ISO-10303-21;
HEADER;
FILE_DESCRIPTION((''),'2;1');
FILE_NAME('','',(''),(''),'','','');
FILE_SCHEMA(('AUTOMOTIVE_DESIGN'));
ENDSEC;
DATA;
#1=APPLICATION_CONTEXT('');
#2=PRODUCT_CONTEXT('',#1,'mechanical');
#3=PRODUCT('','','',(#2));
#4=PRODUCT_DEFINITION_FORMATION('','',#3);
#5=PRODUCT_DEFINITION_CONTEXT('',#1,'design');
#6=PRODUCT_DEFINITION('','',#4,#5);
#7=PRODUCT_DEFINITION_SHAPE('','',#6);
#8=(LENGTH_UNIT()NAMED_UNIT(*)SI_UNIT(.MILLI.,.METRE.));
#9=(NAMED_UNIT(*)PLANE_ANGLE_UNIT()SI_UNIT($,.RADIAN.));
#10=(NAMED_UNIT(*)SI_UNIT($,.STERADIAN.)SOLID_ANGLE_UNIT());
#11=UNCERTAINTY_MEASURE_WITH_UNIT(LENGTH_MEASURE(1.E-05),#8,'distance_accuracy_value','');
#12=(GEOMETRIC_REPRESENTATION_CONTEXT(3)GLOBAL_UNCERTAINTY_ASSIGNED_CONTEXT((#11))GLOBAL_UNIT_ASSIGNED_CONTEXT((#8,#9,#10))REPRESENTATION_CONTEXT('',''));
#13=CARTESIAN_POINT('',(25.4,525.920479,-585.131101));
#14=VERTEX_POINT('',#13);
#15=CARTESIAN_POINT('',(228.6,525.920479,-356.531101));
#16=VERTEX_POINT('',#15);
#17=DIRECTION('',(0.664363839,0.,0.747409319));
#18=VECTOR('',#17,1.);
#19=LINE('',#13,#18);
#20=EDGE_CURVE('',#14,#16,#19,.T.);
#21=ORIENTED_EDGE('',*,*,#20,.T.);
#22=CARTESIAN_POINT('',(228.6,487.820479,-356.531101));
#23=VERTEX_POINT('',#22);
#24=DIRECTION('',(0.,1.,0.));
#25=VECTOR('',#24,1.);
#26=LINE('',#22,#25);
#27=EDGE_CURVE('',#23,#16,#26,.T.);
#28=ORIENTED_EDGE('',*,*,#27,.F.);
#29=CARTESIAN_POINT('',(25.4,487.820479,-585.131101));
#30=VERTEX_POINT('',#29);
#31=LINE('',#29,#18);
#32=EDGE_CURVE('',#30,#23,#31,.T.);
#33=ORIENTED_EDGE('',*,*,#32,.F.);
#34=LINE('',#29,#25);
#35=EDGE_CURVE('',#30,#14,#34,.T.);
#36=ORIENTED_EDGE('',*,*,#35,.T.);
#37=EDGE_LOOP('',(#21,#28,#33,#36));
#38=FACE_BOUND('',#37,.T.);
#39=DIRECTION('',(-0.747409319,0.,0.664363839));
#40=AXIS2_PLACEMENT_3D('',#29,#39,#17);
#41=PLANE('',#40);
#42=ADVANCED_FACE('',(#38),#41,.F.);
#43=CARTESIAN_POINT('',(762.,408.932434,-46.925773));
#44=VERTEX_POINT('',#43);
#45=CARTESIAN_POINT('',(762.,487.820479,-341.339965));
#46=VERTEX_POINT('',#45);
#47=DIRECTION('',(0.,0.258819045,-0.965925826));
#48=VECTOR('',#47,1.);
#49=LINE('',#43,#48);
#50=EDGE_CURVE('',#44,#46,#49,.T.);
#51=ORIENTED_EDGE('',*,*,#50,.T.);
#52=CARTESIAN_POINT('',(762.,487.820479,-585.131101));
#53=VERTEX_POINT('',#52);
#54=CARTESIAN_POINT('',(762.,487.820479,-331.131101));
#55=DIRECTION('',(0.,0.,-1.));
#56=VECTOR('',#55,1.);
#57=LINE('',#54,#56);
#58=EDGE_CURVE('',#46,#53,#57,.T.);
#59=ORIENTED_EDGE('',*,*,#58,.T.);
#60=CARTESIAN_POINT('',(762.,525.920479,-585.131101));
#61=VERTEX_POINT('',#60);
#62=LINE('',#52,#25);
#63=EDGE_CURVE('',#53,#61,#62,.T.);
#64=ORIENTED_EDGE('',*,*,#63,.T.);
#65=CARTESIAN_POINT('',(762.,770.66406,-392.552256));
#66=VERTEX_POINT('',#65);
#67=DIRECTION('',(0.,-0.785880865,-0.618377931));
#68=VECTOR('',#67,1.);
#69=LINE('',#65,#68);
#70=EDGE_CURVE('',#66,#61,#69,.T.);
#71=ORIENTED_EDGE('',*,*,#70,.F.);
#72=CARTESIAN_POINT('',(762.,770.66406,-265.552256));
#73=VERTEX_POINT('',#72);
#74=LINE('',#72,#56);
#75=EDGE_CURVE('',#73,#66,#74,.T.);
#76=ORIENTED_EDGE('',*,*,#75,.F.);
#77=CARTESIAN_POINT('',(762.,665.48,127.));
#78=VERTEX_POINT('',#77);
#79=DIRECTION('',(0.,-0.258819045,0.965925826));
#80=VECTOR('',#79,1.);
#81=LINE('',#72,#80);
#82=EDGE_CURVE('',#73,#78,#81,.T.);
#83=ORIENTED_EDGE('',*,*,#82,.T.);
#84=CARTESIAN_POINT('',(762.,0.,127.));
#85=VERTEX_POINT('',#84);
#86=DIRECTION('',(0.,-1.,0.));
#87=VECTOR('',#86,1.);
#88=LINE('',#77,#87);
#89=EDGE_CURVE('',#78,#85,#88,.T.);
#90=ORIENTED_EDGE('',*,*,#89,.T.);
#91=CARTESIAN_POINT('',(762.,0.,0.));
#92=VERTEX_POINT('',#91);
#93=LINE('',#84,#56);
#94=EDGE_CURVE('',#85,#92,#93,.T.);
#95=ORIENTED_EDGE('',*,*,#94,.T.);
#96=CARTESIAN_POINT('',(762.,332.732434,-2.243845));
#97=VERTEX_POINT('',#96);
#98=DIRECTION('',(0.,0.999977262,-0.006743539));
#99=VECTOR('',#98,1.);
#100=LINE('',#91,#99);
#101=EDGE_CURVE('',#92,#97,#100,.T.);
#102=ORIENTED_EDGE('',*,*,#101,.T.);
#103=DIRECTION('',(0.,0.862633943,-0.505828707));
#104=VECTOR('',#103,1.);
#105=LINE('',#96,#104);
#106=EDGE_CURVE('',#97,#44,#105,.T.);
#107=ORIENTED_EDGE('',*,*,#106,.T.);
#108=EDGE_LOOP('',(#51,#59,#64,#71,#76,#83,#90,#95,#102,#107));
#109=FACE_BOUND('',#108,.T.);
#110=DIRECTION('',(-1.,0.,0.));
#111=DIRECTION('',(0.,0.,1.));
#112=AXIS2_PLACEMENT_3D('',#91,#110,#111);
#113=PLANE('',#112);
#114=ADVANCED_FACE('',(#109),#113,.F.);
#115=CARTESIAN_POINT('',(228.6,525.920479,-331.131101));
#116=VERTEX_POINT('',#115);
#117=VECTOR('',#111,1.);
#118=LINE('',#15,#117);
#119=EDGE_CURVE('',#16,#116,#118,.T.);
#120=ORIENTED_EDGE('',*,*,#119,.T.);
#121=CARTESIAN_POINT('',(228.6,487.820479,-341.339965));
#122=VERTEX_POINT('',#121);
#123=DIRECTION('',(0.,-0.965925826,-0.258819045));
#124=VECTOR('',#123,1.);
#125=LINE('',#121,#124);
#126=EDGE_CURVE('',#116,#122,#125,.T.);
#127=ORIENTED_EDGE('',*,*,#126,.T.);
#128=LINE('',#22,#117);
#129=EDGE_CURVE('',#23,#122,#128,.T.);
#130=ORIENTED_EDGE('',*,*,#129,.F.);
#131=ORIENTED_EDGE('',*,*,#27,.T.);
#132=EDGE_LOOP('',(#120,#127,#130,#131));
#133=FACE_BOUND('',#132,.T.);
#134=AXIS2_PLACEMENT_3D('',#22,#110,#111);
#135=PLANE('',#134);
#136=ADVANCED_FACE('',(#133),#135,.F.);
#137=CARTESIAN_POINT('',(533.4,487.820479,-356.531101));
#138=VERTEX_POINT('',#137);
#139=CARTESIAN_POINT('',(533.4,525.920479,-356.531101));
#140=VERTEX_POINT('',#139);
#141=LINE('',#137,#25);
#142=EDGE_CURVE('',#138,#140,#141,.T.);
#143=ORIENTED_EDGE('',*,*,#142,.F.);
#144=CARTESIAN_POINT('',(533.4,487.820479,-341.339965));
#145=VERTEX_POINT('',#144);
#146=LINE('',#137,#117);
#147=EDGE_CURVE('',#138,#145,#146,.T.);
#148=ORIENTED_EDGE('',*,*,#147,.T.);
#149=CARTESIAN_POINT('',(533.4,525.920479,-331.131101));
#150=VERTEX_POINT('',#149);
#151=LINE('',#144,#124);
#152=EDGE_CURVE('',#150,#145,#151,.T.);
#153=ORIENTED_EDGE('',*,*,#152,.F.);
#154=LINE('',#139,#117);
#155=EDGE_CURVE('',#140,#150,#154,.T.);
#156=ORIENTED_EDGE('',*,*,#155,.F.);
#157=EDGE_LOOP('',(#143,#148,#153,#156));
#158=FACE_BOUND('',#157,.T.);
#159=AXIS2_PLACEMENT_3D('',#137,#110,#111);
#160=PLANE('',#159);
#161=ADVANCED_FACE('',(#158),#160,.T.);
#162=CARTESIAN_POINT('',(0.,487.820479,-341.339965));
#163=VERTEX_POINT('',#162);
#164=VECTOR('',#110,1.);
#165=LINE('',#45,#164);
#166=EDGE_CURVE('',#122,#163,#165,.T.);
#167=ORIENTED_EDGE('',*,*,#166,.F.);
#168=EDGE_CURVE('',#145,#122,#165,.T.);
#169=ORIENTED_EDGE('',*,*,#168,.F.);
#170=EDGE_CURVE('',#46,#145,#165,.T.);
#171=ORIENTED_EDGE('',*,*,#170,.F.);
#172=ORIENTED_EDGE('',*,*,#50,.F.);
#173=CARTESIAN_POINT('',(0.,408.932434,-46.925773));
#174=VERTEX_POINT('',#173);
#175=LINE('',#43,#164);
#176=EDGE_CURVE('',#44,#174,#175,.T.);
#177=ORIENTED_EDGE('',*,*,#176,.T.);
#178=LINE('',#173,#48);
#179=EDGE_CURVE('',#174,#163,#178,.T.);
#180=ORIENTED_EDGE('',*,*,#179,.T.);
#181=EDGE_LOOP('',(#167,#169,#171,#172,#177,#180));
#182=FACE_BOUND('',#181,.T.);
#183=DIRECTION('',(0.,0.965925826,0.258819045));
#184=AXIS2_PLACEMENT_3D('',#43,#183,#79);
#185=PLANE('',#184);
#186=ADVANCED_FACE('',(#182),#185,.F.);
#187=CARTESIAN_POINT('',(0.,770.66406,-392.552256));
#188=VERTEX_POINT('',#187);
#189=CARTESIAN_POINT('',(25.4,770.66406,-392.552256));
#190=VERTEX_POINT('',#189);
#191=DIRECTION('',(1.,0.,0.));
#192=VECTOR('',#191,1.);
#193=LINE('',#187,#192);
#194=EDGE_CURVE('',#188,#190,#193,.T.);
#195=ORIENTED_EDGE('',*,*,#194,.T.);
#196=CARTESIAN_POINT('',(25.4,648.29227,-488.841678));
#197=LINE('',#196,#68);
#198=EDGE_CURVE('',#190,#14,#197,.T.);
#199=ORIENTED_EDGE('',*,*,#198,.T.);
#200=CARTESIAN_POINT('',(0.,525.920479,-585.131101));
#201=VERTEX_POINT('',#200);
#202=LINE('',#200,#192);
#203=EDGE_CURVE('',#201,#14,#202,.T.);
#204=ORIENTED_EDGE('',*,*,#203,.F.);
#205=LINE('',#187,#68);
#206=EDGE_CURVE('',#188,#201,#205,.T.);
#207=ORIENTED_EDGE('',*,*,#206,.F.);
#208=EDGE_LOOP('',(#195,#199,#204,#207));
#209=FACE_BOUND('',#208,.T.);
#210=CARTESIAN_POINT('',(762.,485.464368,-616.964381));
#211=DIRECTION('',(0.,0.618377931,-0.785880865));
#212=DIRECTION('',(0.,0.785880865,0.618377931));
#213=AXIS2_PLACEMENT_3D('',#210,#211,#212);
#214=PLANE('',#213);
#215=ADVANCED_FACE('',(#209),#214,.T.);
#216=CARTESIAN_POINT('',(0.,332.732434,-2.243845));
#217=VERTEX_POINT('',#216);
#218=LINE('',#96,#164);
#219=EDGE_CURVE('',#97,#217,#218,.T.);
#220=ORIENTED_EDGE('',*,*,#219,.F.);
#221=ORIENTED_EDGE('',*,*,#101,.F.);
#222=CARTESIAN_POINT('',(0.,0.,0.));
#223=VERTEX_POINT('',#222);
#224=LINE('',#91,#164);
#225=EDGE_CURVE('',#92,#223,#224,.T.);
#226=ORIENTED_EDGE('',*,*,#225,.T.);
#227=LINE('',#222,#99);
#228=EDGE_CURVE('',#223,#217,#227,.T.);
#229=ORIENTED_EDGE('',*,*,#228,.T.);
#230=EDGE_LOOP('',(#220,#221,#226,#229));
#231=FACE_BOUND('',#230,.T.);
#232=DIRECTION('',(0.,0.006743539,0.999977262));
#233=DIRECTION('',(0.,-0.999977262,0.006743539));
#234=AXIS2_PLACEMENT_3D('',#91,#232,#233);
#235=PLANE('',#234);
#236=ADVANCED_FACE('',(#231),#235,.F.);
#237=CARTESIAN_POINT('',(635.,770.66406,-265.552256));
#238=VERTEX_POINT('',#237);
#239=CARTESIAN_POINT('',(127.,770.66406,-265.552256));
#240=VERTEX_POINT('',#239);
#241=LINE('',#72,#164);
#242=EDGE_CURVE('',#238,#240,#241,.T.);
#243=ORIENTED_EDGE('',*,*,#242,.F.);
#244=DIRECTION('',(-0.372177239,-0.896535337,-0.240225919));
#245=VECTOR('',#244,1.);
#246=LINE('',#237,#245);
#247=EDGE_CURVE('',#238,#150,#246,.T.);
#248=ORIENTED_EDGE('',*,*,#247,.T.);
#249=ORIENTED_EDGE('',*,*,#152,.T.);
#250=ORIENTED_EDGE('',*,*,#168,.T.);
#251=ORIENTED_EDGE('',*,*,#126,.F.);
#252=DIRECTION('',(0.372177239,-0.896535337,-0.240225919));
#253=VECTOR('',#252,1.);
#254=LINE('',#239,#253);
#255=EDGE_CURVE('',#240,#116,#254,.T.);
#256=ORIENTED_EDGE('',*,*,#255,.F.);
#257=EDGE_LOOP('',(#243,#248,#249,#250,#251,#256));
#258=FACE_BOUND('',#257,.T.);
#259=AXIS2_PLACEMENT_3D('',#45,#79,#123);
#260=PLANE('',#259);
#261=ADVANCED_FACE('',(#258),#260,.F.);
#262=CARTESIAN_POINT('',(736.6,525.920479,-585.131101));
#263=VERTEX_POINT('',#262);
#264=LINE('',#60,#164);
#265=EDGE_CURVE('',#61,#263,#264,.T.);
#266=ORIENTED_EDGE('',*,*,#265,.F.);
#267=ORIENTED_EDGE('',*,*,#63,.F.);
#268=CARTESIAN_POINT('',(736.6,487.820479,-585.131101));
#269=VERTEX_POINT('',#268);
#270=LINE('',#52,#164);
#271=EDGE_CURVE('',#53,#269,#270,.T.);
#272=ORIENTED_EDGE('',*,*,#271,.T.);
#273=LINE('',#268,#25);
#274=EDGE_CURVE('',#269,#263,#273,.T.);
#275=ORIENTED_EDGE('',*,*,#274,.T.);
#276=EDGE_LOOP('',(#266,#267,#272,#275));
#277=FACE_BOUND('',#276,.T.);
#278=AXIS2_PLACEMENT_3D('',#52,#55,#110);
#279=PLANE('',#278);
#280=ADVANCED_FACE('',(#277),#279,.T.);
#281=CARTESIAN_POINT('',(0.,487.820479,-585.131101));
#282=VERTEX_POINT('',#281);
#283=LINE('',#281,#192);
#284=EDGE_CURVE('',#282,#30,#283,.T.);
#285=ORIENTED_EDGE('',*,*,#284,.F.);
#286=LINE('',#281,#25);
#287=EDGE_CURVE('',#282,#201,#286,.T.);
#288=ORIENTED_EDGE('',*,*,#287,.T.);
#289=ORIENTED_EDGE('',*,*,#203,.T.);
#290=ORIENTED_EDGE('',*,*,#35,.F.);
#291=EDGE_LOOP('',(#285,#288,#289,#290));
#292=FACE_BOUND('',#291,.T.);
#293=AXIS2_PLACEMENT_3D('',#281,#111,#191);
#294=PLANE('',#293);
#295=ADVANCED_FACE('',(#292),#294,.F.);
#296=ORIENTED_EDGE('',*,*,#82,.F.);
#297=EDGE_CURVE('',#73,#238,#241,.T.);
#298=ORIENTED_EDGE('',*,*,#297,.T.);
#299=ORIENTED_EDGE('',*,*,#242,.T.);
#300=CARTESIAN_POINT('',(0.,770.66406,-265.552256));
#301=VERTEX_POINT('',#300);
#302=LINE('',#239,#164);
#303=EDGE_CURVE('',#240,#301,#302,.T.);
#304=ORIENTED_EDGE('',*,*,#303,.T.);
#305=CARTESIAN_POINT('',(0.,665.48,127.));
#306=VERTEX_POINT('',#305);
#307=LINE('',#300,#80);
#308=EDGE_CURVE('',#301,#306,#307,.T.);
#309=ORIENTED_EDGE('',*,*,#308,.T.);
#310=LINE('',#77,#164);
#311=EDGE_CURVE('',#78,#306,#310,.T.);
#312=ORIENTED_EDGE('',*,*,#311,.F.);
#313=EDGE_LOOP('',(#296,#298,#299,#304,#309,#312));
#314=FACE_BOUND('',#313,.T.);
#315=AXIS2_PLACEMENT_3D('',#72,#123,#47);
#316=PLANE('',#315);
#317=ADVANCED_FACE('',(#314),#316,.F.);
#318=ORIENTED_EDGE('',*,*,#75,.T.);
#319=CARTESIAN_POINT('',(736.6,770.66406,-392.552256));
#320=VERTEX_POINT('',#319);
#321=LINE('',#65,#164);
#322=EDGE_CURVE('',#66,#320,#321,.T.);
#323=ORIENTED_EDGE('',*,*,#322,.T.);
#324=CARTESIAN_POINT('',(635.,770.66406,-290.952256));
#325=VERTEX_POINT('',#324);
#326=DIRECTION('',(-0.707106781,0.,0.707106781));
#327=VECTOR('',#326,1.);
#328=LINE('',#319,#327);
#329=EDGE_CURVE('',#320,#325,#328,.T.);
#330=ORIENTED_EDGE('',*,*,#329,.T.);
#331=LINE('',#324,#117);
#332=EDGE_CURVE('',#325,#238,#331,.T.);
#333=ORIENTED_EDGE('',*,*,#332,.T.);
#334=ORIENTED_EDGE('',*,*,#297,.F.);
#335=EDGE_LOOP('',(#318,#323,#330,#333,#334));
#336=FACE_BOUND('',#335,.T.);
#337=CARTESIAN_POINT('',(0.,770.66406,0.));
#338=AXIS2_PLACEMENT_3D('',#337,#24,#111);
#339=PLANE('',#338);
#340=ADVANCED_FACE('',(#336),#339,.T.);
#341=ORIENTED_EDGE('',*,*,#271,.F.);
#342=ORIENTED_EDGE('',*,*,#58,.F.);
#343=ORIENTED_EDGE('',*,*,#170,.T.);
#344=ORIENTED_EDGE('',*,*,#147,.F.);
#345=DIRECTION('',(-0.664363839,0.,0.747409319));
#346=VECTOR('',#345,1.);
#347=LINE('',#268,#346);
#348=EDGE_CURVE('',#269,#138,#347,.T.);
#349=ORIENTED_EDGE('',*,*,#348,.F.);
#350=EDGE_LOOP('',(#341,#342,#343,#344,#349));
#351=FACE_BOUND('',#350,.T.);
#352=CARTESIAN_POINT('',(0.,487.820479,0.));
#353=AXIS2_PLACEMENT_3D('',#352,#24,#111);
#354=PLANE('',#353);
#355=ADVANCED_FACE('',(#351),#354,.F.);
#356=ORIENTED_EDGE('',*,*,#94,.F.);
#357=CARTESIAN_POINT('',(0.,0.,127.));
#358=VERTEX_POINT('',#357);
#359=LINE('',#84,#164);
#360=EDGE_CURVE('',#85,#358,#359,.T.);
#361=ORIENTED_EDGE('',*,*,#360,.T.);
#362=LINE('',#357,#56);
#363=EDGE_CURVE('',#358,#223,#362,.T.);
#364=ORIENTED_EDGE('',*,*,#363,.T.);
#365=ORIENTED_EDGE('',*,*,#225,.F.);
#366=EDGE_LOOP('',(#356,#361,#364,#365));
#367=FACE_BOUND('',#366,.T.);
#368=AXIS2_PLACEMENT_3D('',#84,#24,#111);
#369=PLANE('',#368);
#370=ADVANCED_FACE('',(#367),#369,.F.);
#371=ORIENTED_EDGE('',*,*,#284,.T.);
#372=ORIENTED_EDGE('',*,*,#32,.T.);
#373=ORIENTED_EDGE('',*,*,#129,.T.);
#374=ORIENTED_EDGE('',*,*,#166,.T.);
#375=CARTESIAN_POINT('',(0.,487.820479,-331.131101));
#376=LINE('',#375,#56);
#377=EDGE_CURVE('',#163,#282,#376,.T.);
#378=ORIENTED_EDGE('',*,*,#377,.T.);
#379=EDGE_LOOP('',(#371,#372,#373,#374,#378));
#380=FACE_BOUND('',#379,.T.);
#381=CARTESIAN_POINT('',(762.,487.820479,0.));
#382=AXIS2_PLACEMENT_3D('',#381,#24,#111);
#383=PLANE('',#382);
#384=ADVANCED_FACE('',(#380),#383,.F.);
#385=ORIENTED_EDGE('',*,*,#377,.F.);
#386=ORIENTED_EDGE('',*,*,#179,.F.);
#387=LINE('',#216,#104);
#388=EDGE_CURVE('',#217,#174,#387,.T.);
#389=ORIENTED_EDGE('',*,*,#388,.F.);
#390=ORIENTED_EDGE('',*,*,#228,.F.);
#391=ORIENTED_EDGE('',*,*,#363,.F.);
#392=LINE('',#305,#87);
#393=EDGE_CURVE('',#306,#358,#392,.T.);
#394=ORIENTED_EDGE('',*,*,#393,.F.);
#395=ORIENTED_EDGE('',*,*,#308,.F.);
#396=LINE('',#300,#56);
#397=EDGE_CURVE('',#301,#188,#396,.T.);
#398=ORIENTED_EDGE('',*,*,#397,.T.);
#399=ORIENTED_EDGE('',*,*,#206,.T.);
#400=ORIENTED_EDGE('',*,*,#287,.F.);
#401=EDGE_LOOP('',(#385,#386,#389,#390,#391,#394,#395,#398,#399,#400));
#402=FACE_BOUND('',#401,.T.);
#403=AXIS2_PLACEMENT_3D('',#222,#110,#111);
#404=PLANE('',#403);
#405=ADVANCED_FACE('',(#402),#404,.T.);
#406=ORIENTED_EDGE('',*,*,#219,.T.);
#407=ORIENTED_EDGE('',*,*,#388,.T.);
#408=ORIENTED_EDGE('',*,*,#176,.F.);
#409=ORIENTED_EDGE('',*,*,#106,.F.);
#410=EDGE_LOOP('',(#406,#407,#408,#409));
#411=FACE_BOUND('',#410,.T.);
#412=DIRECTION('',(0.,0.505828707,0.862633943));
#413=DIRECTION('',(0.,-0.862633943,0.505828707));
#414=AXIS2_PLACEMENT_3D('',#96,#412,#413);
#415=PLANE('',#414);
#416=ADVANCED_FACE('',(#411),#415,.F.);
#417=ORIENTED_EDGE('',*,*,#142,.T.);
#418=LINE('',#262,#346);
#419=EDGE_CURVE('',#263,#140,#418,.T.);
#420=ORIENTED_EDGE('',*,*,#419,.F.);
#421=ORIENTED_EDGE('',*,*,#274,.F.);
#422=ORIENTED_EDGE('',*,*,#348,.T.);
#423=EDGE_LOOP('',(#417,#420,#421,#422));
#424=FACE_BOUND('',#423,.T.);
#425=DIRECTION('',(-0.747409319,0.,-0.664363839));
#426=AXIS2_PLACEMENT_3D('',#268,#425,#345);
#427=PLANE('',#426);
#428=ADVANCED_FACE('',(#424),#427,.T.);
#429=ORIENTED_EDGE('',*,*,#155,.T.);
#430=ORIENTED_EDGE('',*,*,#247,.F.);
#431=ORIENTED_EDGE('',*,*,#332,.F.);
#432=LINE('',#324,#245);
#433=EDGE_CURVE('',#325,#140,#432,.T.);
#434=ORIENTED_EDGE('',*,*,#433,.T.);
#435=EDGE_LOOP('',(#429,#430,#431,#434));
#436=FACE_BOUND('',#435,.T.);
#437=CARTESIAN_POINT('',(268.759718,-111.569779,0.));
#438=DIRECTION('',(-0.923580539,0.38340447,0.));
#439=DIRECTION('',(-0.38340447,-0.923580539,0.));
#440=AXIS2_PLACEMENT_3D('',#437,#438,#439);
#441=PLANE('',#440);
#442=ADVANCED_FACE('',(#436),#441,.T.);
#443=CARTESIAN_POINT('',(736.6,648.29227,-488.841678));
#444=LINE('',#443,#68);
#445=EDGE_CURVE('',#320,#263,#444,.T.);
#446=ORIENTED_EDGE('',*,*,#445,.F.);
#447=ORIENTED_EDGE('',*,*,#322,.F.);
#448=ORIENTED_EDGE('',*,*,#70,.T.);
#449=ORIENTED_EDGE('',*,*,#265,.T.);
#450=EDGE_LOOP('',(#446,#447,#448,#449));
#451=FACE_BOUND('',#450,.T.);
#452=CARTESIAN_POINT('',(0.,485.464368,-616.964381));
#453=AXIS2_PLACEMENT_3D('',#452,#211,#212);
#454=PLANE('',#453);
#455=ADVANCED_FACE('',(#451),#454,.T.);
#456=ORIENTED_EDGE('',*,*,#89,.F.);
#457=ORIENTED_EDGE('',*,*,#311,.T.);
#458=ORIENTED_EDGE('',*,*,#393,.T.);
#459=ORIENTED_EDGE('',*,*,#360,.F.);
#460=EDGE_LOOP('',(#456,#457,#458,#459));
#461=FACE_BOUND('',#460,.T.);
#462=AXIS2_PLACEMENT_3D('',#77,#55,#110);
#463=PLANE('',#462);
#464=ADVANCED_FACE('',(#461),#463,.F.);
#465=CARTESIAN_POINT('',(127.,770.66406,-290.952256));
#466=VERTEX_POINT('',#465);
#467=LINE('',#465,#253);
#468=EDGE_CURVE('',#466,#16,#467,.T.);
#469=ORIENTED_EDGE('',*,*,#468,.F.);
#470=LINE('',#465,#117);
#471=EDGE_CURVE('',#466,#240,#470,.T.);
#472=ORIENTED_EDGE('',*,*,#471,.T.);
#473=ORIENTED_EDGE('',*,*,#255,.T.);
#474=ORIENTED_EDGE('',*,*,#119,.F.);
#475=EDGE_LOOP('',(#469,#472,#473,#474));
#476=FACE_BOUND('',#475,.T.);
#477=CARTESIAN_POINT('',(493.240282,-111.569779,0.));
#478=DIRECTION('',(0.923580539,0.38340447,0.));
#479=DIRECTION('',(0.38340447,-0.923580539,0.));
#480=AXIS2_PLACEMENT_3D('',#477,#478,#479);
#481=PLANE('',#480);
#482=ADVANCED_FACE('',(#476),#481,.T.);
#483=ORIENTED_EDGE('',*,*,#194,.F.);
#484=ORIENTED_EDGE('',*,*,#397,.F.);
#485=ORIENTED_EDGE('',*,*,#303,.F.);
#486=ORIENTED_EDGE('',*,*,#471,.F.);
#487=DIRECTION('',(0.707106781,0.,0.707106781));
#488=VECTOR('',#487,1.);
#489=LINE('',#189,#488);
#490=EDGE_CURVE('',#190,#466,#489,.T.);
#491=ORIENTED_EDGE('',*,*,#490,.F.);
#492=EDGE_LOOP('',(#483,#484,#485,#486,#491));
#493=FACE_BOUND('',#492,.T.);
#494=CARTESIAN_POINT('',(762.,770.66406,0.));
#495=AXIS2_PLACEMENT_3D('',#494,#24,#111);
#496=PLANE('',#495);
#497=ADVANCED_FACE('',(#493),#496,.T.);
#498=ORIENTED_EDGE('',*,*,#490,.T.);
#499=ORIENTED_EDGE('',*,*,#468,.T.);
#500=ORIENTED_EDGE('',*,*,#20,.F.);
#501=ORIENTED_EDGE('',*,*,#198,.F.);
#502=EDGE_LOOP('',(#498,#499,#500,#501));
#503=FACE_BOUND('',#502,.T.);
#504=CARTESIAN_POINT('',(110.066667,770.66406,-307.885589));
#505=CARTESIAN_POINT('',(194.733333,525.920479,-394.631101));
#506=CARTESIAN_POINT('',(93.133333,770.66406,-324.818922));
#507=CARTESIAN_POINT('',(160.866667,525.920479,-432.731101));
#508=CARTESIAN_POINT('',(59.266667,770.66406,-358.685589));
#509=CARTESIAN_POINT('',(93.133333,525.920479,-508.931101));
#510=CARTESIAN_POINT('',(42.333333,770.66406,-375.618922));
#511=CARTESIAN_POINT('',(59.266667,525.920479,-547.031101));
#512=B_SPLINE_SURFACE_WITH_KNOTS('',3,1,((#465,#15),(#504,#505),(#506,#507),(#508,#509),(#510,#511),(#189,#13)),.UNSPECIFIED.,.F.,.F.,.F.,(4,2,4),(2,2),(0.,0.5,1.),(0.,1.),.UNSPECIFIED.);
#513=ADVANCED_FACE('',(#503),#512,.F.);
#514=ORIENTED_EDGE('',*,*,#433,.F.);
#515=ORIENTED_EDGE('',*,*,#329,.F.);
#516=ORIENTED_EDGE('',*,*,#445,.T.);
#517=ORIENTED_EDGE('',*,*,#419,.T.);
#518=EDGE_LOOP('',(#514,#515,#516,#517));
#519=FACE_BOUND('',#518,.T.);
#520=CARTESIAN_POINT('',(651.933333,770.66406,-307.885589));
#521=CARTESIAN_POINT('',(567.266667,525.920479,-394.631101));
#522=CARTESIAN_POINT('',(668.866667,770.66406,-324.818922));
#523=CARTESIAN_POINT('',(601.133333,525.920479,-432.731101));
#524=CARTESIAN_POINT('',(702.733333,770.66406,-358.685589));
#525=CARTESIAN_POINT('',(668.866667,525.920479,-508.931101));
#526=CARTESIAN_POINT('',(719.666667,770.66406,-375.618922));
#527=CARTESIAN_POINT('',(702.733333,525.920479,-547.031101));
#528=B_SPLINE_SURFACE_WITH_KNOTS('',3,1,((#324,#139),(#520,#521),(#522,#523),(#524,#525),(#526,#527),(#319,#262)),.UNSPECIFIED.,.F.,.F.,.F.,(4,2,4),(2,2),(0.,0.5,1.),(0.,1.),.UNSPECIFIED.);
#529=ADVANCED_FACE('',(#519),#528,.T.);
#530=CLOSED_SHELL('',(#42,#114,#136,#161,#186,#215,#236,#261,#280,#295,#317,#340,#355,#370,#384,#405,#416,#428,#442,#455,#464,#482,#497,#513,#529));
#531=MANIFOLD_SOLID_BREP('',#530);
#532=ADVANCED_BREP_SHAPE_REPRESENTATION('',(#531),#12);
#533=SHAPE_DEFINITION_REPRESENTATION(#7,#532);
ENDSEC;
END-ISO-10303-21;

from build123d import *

# Parameters (mm, degrees)
BOSS_EXTRUDE1_DEPTH = 762
BOSS_EXTRUDE2_DEPTH = 38.1


with BuildPart() as part:
    # Sketch1 → Boss-Extrude1 (new body)
    with BuildSketch(Plane(origin=(0, 0, 0), x_dir=(0, 0, -1), z_dir=(1, 0, 0))):
        Polygon((46.92577301, 408.932434185), (341.339964863, 487.820479132), (265.552255804, 770.66405993), (-127, 665.48), (-127, 0), (0, 0), (2.243845254, 332.732434185), align=None)
    extrude(amount=BOSS_EXTRUDE1_DEPTH)

    # Sketch3 → Loft1 section 0
    with BuildSketch(Plane(origin=(0, 770.66405993, 0), x_dir=(1, 0, 0), z_dir=(0, 1, 0))):
        with BuildLine():
            Line((762, 265.552255804), (762, 392.552255804))
            Line((762, 392.552255804), (736.6, 392.552255804))
            Line((736.6, 392.552255804), (635, 290.952255804))
            Line((635, 290.952255804), (635, 265.552255804))
            Line((635, 265.552255804), (762, 265.552255804))
        make_face()
    # Sketch4 → Loft1 section 1
    with BuildSketch(Plane(origin=(0, 525.920479132, 0), x_dir=(1, 0, 0), z_dir=(0, 1, 0))):
        with BuildLine():
            Line((762, 331.131100631), (762, 585.131100631))
            Line((762, 585.131100631), (736.6, 585.131100631))
            Line((736.6, 585.131100631), (533.4, 356.531100631))
            Line((533.4, 356.531100631), (533.4, 331.131100631))
            Line((533.4, 331.131100631), (762, 331.131100631))
        make_face()
    loft1 = loft()

    # Sketch4<5> → Boss-Extrude2 (add)
    with BuildSketch(Plane(origin=(0, 525.920479132, 0), x_dir=(1, 0, 0), z_dir=(0, 1, 0))):
        Polygon((762, 331.131100631), (762, 585.131100631), (736.6, 585.131100631), (533.4, 356.531100631), (533.4, 331.131100631), align=None)
    boss_extrude2 = extrude(amount=-BOSS_EXTRUDE2_DEPTH)

    # Mirror1: Loft1, Boss-Extrude2 across plane
    add(loft1.mirror(Plane(origin=(381, 0, 0), x_dir=(0, 0, 1), z_dir=(1, 0, 0))))
    add(boss_extrude2.mirror(Plane(origin=(381, 0, 0), x_dir=(0, 0, 1), z_dir=(1, 0, 0))))


solid = part.part
